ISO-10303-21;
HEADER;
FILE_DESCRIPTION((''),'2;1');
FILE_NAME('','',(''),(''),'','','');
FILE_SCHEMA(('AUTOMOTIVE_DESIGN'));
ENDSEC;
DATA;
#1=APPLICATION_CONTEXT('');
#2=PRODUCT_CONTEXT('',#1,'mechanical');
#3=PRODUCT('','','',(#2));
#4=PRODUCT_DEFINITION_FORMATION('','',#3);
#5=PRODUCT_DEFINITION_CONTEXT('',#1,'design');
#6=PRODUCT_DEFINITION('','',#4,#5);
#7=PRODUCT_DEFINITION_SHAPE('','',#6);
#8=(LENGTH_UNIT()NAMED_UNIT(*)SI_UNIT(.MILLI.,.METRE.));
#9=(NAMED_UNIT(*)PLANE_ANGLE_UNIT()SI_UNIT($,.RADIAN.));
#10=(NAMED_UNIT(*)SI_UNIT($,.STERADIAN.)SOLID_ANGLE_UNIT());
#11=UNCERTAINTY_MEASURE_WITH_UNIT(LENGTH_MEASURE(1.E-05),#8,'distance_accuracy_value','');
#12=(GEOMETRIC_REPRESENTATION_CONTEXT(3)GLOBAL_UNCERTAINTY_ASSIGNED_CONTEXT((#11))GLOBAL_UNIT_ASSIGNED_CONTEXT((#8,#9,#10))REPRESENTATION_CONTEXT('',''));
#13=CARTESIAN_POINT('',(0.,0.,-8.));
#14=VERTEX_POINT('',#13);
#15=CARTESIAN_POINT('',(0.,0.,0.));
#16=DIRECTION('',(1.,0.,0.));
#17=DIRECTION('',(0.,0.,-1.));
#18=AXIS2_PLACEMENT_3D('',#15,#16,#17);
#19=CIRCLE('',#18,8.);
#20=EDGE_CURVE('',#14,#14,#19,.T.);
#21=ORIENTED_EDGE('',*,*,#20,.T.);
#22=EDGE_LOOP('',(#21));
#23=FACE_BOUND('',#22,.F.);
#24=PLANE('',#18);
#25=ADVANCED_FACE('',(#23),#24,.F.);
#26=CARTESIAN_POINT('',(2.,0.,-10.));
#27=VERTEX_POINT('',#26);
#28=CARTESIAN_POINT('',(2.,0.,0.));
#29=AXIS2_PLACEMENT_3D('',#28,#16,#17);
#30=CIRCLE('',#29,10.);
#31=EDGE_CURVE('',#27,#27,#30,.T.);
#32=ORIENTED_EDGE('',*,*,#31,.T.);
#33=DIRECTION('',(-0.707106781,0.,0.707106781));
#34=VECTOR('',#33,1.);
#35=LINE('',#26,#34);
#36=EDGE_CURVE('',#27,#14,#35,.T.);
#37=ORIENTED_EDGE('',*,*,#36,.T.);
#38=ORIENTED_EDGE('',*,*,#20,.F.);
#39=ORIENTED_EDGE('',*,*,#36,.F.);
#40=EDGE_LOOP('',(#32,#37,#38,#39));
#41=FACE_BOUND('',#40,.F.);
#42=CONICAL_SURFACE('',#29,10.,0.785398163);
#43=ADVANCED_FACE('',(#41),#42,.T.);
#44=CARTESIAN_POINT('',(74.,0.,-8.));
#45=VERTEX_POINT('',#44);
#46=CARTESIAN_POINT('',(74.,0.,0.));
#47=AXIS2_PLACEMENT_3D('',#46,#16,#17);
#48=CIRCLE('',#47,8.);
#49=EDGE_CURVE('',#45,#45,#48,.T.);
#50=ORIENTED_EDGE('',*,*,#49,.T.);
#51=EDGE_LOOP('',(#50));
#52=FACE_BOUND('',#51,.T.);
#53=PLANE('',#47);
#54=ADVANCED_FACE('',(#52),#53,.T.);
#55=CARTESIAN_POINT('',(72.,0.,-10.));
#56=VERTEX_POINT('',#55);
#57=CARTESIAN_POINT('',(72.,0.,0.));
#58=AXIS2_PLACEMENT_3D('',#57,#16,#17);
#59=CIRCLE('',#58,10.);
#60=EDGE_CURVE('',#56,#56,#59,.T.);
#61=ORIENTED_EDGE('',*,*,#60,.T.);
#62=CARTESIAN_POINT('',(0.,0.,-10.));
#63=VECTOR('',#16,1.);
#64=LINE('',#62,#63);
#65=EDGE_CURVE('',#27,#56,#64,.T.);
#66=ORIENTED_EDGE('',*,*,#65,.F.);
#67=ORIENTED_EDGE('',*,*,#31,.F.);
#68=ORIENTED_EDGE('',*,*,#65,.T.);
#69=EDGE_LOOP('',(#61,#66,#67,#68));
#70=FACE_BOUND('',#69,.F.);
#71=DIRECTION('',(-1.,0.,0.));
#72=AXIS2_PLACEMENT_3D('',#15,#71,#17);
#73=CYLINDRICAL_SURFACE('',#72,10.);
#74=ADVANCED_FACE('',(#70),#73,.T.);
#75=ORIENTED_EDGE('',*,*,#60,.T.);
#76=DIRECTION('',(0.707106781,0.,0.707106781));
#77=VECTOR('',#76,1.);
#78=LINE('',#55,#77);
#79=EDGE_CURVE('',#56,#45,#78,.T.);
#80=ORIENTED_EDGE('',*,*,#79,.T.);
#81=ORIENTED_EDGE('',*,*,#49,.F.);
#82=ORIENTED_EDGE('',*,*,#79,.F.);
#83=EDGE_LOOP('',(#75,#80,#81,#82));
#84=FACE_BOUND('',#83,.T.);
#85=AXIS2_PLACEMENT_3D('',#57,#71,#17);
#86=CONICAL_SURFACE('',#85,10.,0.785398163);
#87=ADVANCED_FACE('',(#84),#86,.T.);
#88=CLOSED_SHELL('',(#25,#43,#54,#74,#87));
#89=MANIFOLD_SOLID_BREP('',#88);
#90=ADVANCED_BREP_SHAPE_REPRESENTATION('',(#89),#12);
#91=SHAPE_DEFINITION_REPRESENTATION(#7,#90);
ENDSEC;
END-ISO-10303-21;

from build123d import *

# Parameters (mm, degrees)
SKETCH1_R           = 10
BOSS_EXTRUDE1_DEPTH = 74
CHAMFER1_SIZE       = 2


with BuildPart() as part:
    # Sketch1 → Boss-Extrude1 (new body)
    with BuildSketch(Plane(origin=(0, 0, 0), x_dir=(0, 0, -1), z_dir=(1, 0, 0))):
        Circle(SKETCH1_R)
    extrude(amount=BOSS_EXTRUDE1_DEPTH)

    # Chamfer1
    chamfer1_edges = [part.edges().sort_by_distance(p)[0] for p in [
        (0, 0, 10),
        (74, 0, 10),
    ]]
    chamfer(chamfer1_edges, length=CHAMFER1_SIZE)


solid = part.part
